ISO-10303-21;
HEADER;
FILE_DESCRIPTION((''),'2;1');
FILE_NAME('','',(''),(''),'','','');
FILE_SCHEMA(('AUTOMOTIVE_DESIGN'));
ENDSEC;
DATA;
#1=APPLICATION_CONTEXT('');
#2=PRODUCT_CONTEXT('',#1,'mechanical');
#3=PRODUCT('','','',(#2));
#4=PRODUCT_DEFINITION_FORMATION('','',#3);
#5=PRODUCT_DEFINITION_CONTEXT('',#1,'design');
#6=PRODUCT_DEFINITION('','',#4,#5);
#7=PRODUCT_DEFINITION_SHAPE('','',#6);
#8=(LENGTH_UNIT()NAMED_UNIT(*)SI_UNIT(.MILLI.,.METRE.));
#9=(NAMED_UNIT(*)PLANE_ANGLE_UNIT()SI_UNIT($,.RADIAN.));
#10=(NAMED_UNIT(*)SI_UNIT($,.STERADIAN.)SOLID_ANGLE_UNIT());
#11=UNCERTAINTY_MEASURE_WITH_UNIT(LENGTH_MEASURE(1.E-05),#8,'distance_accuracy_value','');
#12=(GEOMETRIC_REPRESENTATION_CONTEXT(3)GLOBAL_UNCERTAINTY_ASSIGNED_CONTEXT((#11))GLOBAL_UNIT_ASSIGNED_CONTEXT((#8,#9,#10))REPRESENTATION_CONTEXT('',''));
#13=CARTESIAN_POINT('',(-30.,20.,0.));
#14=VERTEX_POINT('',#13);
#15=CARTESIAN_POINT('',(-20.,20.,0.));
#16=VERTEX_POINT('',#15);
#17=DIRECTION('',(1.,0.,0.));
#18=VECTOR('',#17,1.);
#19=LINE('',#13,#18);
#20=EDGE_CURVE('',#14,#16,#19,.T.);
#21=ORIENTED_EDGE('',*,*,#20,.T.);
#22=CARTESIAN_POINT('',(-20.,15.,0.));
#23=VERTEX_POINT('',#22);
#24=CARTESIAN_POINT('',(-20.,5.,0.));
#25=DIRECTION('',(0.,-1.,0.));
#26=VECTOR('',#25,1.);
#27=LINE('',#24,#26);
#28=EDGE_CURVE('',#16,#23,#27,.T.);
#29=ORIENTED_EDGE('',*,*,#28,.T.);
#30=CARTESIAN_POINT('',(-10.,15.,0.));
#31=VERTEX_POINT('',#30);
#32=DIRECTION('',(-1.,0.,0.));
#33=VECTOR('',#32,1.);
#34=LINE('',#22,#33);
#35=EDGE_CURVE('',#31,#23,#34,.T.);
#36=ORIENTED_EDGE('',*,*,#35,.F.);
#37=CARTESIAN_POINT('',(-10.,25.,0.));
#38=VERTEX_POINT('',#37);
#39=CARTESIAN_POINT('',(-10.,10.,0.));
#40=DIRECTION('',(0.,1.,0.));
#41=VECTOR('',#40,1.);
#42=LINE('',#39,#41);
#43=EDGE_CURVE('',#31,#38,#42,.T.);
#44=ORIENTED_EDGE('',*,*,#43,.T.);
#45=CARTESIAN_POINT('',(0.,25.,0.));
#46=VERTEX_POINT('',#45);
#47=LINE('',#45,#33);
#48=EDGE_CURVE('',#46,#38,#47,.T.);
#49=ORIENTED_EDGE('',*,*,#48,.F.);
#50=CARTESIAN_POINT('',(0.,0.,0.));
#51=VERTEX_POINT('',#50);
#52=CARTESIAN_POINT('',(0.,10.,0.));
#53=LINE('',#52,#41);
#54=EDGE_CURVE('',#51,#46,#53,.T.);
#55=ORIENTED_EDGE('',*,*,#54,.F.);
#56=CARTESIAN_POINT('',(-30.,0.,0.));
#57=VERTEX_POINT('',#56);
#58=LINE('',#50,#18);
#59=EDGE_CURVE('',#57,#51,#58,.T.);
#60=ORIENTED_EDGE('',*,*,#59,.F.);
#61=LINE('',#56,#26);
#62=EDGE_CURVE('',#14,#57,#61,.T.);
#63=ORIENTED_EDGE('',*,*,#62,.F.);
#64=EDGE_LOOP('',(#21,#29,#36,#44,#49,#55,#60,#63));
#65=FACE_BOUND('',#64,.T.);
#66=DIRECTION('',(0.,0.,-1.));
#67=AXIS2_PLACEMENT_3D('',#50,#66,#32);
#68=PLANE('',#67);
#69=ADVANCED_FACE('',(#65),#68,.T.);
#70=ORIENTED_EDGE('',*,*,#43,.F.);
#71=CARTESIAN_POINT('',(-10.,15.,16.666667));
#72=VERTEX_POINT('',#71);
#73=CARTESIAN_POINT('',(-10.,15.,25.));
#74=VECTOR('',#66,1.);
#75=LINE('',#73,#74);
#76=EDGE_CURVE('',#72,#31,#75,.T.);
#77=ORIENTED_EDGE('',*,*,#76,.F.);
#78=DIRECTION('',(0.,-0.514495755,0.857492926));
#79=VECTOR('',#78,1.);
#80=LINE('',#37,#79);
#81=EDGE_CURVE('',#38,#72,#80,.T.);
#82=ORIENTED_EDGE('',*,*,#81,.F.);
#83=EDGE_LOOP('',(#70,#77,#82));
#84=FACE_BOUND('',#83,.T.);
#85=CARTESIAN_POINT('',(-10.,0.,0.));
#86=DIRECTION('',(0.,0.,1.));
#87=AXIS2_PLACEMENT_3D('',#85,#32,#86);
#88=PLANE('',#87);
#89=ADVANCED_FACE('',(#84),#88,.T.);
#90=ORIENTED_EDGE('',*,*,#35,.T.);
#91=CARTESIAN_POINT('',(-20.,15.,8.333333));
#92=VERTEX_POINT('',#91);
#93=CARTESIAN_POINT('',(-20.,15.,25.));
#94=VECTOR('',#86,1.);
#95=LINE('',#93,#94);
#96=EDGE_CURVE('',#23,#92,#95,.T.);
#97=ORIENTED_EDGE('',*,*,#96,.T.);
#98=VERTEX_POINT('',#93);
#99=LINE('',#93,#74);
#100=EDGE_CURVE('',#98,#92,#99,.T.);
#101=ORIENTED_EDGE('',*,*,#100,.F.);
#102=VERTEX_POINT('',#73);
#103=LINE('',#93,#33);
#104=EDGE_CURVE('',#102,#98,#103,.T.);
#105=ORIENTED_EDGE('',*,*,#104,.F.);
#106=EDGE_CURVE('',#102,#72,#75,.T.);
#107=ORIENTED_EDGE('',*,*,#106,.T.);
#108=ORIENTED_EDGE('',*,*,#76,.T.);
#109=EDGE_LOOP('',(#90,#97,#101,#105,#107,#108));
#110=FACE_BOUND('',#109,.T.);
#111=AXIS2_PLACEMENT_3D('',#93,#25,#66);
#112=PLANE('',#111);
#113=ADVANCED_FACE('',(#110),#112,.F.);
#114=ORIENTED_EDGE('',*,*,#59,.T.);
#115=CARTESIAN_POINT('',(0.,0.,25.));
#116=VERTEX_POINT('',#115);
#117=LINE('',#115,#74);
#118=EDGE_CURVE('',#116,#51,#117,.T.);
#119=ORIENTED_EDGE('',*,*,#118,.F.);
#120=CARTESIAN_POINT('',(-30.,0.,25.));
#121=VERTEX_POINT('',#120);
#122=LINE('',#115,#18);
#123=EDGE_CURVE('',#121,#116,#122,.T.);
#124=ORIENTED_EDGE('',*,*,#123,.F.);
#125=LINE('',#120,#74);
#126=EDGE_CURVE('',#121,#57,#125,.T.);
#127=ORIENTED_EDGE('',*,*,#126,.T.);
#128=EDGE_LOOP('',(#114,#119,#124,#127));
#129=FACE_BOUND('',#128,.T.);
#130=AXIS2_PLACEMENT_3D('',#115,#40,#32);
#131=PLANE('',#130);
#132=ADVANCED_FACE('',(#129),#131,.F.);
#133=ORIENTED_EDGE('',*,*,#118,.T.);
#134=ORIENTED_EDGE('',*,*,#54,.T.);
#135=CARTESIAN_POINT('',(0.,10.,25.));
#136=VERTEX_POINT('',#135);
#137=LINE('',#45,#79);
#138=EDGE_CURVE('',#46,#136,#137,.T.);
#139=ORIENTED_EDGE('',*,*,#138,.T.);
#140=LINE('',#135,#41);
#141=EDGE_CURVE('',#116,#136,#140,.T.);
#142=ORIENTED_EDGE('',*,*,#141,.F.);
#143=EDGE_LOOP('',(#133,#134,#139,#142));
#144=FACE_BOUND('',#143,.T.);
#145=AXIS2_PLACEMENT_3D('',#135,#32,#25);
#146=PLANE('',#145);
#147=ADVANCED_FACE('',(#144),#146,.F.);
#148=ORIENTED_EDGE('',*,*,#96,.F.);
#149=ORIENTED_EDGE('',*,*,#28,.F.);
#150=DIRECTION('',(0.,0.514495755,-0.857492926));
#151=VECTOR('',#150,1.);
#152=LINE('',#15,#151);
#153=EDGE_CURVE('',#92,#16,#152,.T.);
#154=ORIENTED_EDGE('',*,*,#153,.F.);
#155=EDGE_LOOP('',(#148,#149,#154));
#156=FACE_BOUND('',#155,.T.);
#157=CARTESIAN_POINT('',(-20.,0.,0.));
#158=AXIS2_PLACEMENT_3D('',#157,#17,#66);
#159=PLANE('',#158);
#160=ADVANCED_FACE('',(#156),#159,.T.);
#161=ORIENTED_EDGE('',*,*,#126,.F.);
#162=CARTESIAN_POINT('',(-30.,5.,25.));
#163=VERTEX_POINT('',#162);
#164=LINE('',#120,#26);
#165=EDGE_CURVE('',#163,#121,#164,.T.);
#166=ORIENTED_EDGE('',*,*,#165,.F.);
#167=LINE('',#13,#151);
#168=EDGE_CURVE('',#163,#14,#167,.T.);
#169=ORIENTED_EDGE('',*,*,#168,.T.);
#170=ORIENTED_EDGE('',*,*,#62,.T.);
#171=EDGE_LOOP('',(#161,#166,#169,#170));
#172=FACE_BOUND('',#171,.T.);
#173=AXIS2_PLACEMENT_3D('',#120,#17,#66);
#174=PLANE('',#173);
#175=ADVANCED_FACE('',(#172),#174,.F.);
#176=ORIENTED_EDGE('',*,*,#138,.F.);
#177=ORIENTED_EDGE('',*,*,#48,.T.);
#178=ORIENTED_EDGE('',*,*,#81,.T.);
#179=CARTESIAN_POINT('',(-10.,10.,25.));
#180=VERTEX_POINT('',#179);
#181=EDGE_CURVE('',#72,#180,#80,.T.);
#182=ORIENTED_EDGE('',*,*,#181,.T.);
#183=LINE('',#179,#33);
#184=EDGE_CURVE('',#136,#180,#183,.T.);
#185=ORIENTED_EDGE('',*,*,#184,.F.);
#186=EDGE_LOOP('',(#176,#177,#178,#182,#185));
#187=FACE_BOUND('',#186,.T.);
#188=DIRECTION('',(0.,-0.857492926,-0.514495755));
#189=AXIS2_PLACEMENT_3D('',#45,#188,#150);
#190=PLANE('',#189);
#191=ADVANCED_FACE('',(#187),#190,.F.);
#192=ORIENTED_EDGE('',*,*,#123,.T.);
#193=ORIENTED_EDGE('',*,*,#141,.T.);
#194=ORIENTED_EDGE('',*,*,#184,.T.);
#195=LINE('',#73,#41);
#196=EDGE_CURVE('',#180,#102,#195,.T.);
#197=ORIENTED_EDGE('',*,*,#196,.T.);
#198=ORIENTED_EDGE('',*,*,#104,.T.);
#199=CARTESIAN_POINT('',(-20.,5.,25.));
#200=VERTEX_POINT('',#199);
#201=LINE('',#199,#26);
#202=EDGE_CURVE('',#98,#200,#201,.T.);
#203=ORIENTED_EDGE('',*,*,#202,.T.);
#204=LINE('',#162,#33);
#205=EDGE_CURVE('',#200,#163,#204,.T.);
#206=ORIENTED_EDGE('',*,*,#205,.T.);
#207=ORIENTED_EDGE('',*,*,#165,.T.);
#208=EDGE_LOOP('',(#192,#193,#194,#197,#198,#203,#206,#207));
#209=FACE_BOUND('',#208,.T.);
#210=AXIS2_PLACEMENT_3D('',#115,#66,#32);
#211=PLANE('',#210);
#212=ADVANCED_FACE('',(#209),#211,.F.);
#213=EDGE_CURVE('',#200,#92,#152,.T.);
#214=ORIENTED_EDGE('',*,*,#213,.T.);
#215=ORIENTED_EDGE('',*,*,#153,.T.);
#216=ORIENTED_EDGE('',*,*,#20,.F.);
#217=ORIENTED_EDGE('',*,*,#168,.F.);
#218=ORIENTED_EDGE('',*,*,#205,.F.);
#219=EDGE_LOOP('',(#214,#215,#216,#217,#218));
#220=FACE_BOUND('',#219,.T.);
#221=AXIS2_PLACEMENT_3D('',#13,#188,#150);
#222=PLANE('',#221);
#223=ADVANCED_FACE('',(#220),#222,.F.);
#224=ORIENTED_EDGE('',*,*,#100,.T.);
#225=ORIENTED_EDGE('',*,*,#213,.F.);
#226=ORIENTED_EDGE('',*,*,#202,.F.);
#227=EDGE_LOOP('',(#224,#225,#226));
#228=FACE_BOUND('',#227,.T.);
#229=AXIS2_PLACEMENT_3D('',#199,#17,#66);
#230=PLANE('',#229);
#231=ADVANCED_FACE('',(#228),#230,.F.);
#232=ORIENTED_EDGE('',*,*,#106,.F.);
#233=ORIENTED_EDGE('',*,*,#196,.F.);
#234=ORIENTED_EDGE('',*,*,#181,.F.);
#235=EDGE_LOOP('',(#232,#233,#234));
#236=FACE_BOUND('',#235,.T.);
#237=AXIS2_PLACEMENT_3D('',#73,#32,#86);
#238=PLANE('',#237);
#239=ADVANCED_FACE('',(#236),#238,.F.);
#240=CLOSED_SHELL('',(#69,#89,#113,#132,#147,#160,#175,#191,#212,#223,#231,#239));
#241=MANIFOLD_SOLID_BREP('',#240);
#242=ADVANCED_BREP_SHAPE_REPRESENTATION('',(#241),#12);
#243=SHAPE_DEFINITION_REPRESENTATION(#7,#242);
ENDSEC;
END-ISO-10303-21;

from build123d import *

# Parameters (mm, degrees)
BOSS_EXTRUDE1_DEPTH = 25
BOSS_EXTRUDE2_DEPTH = 10
BOSS_EXTRUDE3_DEPTH = 10


with BuildPart() as part:
    # Sketch1 → Boss-Extrude1 (new body)
    with BuildSketch(Plane.XY):
        Polygon((-30, 5), (-20, 5), (-20, 15), (-10, 15), (-10, 10), (0, 10), (0, 0), (-30, 0), align=None)
    extrude(amount=BOSS_EXTRUDE1_DEPTH)

    # Sketch2 → Boss-Extrude2 (add)
    with BuildSketch(Plane(origin=(-10, 0, 0), x_dir=(0, 0, -1), z_dir=(1, 0, 0))):
        Polygon((-25, 10), (0, 10), (0, 25), align=None)
    extrude(amount=BOSS_EXTRUDE2_DEPTH)

    # Sketch3 → Boss-Extrude3 (add)
    with BuildSketch(Plane.ZY.offset(20)):
        Polygon((0, 5), (0, 20), (25, 5), align=None)
    extrude(amount=BOSS_EXTRUDE3_DEPTH)


solid = part.part
